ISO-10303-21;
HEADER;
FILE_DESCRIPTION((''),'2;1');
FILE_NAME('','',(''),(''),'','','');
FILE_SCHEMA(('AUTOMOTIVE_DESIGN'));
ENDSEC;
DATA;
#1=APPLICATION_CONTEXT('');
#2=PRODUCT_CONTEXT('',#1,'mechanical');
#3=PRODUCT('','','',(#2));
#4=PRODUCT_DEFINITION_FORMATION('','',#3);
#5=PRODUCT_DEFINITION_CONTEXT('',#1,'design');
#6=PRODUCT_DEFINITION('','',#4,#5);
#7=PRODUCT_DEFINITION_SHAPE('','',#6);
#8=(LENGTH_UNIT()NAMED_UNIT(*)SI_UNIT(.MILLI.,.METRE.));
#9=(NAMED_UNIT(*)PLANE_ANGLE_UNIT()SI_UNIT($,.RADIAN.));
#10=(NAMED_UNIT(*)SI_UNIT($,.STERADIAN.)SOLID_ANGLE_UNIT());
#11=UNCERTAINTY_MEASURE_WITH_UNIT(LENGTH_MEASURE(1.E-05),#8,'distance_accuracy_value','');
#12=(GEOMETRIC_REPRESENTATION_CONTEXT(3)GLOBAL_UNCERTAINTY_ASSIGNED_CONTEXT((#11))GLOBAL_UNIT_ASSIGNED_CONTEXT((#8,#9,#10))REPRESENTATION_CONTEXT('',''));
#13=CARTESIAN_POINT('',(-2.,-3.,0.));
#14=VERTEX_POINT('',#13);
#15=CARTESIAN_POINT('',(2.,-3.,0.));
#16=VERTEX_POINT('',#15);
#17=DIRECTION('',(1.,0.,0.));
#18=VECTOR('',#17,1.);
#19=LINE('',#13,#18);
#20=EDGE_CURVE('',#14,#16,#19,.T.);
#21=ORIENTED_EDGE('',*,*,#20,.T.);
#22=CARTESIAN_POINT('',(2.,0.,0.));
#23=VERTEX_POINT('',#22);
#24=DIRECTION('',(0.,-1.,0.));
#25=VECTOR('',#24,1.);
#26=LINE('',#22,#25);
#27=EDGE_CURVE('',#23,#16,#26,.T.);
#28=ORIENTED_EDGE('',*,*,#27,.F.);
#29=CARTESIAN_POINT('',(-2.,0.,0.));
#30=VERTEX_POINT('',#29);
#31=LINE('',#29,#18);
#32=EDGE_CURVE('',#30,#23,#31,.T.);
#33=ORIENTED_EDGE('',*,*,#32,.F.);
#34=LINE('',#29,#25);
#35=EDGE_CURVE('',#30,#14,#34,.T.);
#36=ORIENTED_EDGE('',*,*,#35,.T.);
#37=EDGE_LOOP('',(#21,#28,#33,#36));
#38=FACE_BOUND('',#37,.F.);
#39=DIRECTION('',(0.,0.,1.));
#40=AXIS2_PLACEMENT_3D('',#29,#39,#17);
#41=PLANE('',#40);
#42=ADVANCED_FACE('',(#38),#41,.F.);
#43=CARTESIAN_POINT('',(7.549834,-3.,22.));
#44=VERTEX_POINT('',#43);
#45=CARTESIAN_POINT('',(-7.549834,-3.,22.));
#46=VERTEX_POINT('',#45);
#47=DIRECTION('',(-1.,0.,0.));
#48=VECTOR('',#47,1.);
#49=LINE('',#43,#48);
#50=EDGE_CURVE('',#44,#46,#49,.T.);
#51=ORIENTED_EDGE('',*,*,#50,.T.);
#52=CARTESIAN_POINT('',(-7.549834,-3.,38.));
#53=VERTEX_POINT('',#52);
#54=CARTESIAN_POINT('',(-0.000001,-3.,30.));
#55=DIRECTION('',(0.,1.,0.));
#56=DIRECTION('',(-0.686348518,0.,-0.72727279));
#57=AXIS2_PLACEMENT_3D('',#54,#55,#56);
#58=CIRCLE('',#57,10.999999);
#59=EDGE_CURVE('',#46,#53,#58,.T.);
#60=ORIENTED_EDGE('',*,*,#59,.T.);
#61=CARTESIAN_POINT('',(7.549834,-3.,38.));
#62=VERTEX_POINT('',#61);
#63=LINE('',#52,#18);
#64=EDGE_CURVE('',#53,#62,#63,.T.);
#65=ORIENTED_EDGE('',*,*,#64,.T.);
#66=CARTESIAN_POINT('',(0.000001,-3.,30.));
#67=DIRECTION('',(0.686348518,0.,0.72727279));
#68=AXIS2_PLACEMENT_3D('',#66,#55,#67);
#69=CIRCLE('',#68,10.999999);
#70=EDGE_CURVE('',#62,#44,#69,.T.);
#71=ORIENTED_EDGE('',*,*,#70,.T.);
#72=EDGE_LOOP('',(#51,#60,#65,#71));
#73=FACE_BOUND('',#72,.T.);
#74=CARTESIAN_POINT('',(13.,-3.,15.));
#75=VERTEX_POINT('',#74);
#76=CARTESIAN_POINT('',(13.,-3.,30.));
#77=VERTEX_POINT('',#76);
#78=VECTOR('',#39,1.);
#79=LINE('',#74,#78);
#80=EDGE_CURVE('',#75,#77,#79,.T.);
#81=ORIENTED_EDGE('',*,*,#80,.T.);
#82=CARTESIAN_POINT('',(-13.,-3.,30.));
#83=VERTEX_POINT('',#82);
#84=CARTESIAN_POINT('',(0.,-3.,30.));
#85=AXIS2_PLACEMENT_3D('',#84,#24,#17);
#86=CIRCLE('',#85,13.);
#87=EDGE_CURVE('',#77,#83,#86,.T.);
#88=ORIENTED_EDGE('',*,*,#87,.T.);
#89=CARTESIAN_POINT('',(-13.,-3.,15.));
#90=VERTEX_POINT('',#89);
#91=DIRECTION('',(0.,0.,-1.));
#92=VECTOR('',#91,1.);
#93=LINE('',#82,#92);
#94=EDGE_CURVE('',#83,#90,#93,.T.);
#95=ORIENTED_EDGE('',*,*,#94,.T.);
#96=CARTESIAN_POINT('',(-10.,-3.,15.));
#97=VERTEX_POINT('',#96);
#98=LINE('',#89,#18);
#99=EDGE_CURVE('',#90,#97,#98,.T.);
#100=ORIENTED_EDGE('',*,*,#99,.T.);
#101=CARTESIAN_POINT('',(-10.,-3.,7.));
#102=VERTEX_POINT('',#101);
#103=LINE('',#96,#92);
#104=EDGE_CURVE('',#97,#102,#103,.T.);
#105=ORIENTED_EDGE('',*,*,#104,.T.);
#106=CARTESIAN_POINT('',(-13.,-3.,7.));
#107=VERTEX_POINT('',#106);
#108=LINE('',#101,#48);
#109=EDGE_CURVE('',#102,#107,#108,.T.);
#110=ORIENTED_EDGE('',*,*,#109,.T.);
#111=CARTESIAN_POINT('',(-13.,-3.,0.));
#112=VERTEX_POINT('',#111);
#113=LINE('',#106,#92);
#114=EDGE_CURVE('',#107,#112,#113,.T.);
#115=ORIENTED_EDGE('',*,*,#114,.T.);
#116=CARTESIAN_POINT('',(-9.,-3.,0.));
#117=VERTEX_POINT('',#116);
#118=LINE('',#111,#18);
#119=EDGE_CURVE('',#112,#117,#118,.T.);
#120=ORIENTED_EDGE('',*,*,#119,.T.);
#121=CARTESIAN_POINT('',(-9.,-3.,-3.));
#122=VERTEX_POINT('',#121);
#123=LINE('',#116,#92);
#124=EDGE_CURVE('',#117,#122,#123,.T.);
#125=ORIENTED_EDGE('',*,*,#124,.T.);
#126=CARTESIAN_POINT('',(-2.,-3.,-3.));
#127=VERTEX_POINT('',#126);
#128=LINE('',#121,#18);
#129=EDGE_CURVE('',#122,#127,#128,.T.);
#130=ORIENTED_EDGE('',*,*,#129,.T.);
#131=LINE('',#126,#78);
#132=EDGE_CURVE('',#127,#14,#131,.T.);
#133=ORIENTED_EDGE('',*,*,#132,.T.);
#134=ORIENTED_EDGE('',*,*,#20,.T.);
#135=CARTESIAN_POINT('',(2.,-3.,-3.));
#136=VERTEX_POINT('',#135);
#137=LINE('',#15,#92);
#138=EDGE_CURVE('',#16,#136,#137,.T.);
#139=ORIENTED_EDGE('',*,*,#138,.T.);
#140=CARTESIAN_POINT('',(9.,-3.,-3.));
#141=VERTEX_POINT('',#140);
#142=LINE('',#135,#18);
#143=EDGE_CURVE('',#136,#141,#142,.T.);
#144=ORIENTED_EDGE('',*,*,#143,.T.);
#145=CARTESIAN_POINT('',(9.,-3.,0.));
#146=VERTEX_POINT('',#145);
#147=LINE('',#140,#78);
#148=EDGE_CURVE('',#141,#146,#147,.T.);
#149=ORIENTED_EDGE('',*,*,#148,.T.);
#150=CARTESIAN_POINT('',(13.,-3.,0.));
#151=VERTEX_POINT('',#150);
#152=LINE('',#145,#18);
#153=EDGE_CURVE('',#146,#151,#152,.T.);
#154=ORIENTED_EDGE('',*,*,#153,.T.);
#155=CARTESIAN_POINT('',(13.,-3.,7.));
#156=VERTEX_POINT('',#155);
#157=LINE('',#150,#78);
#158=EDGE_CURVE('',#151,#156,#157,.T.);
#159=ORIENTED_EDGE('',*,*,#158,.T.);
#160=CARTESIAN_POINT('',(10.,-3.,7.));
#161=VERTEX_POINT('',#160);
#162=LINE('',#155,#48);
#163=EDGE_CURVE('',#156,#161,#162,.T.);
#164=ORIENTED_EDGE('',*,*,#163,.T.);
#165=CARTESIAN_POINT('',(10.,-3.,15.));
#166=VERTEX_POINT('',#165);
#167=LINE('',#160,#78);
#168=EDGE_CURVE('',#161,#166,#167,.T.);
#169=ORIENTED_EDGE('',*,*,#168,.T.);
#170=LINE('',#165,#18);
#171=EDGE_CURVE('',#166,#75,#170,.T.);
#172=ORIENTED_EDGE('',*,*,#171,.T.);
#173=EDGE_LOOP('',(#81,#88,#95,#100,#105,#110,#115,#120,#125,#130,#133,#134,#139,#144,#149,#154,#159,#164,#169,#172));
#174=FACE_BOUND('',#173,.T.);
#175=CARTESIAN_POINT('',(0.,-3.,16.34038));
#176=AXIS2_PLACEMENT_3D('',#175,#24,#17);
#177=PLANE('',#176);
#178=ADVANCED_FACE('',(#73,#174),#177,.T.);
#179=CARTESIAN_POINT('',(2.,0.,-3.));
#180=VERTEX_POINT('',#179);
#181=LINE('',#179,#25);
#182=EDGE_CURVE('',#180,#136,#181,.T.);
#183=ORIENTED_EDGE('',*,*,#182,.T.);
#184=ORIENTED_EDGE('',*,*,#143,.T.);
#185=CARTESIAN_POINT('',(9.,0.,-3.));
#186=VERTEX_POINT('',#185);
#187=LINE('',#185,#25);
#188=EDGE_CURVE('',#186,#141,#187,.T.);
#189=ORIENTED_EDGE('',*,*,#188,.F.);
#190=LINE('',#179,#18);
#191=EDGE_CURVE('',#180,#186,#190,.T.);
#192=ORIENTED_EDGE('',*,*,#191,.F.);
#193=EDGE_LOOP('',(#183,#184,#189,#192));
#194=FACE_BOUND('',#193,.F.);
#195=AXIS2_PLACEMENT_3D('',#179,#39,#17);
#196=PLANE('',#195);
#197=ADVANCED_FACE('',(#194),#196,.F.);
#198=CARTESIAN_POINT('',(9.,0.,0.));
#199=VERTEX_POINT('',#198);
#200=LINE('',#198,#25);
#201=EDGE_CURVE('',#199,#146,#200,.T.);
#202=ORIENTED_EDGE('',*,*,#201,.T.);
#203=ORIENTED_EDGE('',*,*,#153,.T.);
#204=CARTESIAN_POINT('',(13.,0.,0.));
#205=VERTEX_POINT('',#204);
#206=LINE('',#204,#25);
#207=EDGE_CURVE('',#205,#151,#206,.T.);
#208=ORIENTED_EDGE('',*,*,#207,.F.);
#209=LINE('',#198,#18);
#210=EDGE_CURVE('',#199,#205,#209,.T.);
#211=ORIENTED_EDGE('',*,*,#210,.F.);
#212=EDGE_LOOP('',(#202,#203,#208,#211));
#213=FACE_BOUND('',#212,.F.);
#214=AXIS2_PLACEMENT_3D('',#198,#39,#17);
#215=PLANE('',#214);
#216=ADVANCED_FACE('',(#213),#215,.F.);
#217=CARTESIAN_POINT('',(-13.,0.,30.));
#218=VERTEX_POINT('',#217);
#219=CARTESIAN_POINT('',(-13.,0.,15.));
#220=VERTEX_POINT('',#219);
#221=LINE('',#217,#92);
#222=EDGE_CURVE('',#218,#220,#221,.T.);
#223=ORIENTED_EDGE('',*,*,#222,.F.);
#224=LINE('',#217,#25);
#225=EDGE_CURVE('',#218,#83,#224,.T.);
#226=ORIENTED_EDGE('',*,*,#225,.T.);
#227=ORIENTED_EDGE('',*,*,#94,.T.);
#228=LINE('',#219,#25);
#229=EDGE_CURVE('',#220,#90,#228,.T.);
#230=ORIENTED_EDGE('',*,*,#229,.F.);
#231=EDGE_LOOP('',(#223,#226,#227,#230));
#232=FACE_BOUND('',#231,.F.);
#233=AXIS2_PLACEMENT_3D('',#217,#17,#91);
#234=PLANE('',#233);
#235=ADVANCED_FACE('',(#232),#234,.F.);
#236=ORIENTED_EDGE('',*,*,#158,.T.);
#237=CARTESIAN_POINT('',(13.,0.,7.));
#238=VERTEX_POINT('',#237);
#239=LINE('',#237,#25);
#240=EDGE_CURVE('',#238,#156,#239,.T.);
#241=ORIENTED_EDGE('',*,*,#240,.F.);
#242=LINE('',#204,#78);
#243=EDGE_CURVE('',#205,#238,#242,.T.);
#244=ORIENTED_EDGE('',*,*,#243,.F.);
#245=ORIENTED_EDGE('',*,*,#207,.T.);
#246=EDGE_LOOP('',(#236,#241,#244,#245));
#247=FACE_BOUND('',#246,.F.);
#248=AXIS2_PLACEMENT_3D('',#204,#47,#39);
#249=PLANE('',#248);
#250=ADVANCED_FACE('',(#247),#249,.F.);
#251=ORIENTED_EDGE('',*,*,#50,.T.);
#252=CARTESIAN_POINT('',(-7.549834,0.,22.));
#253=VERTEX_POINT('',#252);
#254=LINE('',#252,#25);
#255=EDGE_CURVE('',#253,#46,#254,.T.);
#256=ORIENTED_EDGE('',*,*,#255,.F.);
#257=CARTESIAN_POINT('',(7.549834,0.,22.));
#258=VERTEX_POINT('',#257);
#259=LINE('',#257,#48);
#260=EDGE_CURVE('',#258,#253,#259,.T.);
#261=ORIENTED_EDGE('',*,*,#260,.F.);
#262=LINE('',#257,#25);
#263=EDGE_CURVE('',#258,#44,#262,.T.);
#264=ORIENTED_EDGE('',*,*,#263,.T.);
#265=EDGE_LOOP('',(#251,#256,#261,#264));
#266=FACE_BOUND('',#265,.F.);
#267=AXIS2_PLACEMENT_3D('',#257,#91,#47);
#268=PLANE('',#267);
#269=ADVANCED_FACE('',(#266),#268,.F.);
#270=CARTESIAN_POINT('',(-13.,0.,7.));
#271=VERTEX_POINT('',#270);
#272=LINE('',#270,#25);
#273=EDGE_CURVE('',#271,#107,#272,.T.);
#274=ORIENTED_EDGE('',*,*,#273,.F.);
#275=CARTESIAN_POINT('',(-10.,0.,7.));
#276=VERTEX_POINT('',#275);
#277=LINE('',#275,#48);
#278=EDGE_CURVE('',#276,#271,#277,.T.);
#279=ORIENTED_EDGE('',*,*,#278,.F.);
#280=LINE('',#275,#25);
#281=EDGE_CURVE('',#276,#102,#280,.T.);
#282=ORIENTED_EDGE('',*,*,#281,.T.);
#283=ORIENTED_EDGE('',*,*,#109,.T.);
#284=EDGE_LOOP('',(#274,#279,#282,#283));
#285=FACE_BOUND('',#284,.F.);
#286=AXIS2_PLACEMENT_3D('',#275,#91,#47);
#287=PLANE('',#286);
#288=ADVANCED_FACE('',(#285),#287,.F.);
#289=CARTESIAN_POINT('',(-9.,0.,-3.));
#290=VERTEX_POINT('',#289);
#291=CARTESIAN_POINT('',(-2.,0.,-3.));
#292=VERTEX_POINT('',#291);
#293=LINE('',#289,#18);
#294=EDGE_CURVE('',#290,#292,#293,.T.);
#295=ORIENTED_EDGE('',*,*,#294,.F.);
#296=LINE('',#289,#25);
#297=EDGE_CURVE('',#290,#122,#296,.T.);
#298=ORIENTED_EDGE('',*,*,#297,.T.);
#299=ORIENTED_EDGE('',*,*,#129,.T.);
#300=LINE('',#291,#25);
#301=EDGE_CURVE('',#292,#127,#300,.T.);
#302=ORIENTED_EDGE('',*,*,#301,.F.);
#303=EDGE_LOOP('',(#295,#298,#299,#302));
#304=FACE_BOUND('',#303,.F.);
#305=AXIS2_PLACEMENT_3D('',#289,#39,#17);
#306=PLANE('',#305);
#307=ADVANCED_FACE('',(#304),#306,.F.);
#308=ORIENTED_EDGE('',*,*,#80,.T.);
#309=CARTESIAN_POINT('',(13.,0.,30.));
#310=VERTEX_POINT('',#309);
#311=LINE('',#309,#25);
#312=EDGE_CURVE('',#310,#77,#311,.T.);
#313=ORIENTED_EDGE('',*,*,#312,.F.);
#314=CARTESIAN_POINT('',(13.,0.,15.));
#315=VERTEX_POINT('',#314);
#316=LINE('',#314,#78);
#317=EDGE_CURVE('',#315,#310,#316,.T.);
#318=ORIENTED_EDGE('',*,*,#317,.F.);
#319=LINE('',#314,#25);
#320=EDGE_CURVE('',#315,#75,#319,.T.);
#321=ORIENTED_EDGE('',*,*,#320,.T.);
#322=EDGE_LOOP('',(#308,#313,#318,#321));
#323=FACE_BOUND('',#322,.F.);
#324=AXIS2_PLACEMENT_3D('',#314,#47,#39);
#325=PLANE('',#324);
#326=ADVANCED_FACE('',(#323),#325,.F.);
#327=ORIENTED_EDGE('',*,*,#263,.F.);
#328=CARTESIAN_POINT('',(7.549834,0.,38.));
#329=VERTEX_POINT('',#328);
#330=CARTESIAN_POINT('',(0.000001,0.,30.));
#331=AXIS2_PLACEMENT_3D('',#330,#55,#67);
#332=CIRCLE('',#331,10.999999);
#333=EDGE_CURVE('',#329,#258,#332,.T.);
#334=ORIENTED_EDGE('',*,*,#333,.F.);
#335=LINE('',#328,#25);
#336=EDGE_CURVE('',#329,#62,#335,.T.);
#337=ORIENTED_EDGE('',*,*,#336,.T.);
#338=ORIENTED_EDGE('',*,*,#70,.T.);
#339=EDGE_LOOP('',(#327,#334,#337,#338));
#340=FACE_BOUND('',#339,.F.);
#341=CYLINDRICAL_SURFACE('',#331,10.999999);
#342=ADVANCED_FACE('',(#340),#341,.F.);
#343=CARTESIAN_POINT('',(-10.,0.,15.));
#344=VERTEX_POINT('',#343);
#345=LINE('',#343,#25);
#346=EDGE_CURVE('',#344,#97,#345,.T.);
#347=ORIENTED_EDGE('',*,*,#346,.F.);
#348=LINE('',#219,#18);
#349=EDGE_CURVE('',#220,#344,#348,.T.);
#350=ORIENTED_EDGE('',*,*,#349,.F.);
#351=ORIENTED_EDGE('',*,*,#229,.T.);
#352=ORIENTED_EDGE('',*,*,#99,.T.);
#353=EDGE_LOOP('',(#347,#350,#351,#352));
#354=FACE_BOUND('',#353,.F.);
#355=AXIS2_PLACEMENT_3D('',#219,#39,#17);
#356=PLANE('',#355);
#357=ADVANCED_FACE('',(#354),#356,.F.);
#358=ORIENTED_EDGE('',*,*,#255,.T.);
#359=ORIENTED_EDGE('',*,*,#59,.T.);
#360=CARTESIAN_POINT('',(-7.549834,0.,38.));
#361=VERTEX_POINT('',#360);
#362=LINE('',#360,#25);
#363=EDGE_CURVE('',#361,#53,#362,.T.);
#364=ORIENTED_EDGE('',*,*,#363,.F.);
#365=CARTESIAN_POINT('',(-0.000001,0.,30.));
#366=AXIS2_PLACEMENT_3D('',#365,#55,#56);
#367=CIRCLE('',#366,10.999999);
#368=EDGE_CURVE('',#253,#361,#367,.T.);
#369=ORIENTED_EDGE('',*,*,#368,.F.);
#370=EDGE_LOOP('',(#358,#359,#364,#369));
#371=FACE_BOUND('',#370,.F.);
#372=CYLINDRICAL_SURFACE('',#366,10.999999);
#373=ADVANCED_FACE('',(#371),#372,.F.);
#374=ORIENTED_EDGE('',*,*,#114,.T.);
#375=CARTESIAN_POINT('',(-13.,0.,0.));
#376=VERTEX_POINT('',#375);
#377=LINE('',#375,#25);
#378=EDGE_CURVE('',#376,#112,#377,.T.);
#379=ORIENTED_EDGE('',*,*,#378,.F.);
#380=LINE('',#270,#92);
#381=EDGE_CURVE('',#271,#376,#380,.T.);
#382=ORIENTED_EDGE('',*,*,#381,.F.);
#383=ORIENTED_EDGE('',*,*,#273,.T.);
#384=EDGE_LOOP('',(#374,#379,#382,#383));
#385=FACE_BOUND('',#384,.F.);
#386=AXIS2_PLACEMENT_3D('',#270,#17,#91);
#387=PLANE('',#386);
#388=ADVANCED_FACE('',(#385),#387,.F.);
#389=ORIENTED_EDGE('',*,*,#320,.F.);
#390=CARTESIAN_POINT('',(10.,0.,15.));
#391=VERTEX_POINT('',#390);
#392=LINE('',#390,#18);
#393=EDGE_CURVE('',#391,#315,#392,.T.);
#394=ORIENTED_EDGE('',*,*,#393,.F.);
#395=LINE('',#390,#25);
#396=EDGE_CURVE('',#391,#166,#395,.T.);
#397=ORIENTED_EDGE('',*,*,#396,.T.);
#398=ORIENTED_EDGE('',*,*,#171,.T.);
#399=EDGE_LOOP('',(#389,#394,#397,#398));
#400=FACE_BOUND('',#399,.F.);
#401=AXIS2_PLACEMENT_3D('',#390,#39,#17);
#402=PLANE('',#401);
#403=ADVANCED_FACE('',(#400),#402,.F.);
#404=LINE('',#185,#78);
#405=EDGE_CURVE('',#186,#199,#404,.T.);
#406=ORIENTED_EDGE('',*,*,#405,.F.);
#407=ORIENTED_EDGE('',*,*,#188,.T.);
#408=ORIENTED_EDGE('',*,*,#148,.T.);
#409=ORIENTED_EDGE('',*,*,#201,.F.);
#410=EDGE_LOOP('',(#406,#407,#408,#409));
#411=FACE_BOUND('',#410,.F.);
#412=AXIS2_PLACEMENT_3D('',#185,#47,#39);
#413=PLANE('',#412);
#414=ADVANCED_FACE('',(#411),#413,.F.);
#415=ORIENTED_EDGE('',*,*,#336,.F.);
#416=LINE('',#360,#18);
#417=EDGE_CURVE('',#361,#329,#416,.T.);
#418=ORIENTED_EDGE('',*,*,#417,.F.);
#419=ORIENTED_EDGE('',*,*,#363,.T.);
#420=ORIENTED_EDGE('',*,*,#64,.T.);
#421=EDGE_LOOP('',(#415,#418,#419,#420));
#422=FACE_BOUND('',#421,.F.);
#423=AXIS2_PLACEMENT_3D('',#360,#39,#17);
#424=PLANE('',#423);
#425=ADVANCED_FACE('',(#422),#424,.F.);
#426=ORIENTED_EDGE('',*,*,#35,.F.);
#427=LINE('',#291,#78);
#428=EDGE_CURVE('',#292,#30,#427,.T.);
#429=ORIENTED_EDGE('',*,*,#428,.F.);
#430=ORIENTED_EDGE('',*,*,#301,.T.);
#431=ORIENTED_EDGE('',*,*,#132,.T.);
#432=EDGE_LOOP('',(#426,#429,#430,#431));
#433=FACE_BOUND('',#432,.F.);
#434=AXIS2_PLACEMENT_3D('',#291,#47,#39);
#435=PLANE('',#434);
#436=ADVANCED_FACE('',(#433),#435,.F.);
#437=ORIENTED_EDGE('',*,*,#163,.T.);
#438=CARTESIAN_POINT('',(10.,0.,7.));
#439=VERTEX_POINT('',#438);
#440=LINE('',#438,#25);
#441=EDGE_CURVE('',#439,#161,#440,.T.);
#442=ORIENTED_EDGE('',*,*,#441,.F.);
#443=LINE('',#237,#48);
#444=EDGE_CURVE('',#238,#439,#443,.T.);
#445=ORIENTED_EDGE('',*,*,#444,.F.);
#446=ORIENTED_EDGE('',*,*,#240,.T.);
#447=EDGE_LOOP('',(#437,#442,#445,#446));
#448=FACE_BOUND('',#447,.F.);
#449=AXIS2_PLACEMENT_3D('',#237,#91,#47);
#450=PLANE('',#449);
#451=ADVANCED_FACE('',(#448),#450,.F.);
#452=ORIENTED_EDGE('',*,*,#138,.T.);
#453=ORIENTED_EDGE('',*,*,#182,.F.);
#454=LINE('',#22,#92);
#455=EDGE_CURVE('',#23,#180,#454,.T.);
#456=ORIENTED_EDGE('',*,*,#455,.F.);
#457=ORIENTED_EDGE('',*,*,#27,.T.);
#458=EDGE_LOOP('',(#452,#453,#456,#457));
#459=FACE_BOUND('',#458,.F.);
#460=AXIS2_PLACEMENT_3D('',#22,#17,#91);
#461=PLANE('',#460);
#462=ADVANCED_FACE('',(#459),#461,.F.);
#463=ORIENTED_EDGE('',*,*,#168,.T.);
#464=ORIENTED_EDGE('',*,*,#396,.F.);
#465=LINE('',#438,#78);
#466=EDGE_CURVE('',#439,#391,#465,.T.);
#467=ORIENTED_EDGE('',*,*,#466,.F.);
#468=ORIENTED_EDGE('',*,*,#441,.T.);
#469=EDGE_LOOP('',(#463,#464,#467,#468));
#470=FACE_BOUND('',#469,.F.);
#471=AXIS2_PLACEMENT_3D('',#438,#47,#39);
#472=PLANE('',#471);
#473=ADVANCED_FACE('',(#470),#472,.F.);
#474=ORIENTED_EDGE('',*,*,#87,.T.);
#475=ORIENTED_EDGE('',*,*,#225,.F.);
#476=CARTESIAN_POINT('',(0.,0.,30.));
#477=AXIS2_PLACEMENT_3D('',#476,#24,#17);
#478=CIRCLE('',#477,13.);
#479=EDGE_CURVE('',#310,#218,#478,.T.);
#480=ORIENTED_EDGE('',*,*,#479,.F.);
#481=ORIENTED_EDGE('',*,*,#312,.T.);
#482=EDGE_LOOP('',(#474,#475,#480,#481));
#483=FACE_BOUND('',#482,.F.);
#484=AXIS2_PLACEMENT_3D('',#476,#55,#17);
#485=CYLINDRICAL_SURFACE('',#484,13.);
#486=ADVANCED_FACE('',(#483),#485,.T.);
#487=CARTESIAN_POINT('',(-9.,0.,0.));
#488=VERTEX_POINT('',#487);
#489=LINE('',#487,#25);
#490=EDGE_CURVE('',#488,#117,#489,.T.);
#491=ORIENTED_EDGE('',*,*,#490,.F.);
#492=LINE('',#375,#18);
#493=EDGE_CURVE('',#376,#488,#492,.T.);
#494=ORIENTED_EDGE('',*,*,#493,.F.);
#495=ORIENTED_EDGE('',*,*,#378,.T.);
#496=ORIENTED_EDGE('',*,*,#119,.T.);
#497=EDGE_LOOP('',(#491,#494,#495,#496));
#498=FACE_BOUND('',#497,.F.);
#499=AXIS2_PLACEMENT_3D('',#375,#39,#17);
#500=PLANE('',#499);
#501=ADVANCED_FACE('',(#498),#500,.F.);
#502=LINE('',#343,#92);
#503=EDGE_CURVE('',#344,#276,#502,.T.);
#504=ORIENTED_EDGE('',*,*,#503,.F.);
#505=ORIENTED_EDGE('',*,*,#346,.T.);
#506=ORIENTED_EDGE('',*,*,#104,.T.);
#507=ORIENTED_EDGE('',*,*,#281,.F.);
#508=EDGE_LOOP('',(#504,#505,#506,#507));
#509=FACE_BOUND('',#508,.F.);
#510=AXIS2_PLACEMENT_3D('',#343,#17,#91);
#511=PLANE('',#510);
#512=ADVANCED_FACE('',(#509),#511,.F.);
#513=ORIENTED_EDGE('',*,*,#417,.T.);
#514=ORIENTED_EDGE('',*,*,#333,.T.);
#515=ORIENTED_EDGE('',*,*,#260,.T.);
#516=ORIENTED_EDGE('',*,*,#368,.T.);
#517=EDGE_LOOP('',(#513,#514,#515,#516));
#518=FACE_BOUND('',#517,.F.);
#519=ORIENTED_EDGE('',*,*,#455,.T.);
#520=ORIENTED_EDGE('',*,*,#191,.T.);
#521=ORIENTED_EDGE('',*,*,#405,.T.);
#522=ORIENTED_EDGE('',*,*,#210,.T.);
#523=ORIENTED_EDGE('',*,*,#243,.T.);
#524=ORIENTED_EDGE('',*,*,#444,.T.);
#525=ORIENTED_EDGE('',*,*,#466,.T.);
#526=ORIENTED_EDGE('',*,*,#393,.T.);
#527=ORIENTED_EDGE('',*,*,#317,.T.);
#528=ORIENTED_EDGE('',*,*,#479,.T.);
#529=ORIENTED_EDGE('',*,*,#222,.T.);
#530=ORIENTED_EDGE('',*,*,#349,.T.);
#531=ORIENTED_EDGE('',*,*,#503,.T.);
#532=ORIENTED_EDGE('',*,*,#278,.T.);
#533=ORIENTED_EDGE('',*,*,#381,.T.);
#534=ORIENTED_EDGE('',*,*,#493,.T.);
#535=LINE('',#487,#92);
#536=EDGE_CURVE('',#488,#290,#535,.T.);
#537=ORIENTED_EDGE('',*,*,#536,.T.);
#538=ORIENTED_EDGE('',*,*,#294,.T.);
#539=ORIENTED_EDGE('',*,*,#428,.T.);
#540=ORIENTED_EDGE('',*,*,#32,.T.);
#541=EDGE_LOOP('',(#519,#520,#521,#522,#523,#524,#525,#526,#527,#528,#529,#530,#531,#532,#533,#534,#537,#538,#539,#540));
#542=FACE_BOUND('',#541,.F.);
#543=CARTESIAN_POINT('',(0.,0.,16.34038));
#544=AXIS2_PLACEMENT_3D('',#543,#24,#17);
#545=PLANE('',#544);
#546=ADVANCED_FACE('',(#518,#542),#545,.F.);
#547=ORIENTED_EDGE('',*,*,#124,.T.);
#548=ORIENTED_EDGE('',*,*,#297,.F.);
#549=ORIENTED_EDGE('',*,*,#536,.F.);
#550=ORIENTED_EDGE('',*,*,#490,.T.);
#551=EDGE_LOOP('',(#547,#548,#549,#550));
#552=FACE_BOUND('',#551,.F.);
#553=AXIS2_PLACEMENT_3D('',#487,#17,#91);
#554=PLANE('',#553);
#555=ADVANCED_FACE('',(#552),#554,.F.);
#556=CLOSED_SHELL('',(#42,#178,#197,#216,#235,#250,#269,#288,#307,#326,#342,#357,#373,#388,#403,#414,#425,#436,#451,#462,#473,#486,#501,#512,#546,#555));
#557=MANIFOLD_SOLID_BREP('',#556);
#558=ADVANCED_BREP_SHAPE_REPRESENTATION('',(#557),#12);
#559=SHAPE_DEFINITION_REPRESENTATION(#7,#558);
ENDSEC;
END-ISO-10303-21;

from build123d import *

# Parameters (mm, degrees)
F1_DEPTH = 3


with BuildPart() as f1:
    # F0 (on Front) → F1 (new body)
    with BuildSketch(Plane.XZ):
        with BuildLine():
            Line((13, 15), (13, 30))
            ThreePointArc((13, 30), (0, 43), (-13, 30))
            Line((-13, 30), (-13, 15))
            Line((-13, 15), (-10, 15))
            Line((-10, 15), (-10, 7))
            Line((-10, 7), (-13, 7))
            Line((-13, 7), (-13, 0))
            Line((-13, 0), (-9, 0))
            Line((-9, 0), (-9, -3))
            Line((-9, -3), (-2, -3))
            Line((-2, -3), (-2, 0))
            Line((-2, 0), (0, 0))
            Line((0, 0), (2, 0))
            Line((2, 0), (2, -3))
            Line((2, -3), (9, -3))
            Line((9, -3), (9, 0))
            Line((9, 0), (13, 0))
            Line((13, 0), (13, 7))
            Line((13, 7), (10, 7))
            Line((10, 7), (10, 15))
            Line((10, 15), (13, 15))
        make_face()
        with BuildLine():
            ThreePointArc((-7.549834, 22), (-11, 30), (-7.549834, 38))
            Line((-7.549834, 38), (7.549834, 38))
            ThreePointArc((7.549834, 38), (11, 30), (7.549834, 22))
            Line((7.549834, 22), (-7.549834, 22))
        make_face(mode=Mode.SUBTRACT)
    extrude(amount=F1_DEPTH)


solid = f1.part
